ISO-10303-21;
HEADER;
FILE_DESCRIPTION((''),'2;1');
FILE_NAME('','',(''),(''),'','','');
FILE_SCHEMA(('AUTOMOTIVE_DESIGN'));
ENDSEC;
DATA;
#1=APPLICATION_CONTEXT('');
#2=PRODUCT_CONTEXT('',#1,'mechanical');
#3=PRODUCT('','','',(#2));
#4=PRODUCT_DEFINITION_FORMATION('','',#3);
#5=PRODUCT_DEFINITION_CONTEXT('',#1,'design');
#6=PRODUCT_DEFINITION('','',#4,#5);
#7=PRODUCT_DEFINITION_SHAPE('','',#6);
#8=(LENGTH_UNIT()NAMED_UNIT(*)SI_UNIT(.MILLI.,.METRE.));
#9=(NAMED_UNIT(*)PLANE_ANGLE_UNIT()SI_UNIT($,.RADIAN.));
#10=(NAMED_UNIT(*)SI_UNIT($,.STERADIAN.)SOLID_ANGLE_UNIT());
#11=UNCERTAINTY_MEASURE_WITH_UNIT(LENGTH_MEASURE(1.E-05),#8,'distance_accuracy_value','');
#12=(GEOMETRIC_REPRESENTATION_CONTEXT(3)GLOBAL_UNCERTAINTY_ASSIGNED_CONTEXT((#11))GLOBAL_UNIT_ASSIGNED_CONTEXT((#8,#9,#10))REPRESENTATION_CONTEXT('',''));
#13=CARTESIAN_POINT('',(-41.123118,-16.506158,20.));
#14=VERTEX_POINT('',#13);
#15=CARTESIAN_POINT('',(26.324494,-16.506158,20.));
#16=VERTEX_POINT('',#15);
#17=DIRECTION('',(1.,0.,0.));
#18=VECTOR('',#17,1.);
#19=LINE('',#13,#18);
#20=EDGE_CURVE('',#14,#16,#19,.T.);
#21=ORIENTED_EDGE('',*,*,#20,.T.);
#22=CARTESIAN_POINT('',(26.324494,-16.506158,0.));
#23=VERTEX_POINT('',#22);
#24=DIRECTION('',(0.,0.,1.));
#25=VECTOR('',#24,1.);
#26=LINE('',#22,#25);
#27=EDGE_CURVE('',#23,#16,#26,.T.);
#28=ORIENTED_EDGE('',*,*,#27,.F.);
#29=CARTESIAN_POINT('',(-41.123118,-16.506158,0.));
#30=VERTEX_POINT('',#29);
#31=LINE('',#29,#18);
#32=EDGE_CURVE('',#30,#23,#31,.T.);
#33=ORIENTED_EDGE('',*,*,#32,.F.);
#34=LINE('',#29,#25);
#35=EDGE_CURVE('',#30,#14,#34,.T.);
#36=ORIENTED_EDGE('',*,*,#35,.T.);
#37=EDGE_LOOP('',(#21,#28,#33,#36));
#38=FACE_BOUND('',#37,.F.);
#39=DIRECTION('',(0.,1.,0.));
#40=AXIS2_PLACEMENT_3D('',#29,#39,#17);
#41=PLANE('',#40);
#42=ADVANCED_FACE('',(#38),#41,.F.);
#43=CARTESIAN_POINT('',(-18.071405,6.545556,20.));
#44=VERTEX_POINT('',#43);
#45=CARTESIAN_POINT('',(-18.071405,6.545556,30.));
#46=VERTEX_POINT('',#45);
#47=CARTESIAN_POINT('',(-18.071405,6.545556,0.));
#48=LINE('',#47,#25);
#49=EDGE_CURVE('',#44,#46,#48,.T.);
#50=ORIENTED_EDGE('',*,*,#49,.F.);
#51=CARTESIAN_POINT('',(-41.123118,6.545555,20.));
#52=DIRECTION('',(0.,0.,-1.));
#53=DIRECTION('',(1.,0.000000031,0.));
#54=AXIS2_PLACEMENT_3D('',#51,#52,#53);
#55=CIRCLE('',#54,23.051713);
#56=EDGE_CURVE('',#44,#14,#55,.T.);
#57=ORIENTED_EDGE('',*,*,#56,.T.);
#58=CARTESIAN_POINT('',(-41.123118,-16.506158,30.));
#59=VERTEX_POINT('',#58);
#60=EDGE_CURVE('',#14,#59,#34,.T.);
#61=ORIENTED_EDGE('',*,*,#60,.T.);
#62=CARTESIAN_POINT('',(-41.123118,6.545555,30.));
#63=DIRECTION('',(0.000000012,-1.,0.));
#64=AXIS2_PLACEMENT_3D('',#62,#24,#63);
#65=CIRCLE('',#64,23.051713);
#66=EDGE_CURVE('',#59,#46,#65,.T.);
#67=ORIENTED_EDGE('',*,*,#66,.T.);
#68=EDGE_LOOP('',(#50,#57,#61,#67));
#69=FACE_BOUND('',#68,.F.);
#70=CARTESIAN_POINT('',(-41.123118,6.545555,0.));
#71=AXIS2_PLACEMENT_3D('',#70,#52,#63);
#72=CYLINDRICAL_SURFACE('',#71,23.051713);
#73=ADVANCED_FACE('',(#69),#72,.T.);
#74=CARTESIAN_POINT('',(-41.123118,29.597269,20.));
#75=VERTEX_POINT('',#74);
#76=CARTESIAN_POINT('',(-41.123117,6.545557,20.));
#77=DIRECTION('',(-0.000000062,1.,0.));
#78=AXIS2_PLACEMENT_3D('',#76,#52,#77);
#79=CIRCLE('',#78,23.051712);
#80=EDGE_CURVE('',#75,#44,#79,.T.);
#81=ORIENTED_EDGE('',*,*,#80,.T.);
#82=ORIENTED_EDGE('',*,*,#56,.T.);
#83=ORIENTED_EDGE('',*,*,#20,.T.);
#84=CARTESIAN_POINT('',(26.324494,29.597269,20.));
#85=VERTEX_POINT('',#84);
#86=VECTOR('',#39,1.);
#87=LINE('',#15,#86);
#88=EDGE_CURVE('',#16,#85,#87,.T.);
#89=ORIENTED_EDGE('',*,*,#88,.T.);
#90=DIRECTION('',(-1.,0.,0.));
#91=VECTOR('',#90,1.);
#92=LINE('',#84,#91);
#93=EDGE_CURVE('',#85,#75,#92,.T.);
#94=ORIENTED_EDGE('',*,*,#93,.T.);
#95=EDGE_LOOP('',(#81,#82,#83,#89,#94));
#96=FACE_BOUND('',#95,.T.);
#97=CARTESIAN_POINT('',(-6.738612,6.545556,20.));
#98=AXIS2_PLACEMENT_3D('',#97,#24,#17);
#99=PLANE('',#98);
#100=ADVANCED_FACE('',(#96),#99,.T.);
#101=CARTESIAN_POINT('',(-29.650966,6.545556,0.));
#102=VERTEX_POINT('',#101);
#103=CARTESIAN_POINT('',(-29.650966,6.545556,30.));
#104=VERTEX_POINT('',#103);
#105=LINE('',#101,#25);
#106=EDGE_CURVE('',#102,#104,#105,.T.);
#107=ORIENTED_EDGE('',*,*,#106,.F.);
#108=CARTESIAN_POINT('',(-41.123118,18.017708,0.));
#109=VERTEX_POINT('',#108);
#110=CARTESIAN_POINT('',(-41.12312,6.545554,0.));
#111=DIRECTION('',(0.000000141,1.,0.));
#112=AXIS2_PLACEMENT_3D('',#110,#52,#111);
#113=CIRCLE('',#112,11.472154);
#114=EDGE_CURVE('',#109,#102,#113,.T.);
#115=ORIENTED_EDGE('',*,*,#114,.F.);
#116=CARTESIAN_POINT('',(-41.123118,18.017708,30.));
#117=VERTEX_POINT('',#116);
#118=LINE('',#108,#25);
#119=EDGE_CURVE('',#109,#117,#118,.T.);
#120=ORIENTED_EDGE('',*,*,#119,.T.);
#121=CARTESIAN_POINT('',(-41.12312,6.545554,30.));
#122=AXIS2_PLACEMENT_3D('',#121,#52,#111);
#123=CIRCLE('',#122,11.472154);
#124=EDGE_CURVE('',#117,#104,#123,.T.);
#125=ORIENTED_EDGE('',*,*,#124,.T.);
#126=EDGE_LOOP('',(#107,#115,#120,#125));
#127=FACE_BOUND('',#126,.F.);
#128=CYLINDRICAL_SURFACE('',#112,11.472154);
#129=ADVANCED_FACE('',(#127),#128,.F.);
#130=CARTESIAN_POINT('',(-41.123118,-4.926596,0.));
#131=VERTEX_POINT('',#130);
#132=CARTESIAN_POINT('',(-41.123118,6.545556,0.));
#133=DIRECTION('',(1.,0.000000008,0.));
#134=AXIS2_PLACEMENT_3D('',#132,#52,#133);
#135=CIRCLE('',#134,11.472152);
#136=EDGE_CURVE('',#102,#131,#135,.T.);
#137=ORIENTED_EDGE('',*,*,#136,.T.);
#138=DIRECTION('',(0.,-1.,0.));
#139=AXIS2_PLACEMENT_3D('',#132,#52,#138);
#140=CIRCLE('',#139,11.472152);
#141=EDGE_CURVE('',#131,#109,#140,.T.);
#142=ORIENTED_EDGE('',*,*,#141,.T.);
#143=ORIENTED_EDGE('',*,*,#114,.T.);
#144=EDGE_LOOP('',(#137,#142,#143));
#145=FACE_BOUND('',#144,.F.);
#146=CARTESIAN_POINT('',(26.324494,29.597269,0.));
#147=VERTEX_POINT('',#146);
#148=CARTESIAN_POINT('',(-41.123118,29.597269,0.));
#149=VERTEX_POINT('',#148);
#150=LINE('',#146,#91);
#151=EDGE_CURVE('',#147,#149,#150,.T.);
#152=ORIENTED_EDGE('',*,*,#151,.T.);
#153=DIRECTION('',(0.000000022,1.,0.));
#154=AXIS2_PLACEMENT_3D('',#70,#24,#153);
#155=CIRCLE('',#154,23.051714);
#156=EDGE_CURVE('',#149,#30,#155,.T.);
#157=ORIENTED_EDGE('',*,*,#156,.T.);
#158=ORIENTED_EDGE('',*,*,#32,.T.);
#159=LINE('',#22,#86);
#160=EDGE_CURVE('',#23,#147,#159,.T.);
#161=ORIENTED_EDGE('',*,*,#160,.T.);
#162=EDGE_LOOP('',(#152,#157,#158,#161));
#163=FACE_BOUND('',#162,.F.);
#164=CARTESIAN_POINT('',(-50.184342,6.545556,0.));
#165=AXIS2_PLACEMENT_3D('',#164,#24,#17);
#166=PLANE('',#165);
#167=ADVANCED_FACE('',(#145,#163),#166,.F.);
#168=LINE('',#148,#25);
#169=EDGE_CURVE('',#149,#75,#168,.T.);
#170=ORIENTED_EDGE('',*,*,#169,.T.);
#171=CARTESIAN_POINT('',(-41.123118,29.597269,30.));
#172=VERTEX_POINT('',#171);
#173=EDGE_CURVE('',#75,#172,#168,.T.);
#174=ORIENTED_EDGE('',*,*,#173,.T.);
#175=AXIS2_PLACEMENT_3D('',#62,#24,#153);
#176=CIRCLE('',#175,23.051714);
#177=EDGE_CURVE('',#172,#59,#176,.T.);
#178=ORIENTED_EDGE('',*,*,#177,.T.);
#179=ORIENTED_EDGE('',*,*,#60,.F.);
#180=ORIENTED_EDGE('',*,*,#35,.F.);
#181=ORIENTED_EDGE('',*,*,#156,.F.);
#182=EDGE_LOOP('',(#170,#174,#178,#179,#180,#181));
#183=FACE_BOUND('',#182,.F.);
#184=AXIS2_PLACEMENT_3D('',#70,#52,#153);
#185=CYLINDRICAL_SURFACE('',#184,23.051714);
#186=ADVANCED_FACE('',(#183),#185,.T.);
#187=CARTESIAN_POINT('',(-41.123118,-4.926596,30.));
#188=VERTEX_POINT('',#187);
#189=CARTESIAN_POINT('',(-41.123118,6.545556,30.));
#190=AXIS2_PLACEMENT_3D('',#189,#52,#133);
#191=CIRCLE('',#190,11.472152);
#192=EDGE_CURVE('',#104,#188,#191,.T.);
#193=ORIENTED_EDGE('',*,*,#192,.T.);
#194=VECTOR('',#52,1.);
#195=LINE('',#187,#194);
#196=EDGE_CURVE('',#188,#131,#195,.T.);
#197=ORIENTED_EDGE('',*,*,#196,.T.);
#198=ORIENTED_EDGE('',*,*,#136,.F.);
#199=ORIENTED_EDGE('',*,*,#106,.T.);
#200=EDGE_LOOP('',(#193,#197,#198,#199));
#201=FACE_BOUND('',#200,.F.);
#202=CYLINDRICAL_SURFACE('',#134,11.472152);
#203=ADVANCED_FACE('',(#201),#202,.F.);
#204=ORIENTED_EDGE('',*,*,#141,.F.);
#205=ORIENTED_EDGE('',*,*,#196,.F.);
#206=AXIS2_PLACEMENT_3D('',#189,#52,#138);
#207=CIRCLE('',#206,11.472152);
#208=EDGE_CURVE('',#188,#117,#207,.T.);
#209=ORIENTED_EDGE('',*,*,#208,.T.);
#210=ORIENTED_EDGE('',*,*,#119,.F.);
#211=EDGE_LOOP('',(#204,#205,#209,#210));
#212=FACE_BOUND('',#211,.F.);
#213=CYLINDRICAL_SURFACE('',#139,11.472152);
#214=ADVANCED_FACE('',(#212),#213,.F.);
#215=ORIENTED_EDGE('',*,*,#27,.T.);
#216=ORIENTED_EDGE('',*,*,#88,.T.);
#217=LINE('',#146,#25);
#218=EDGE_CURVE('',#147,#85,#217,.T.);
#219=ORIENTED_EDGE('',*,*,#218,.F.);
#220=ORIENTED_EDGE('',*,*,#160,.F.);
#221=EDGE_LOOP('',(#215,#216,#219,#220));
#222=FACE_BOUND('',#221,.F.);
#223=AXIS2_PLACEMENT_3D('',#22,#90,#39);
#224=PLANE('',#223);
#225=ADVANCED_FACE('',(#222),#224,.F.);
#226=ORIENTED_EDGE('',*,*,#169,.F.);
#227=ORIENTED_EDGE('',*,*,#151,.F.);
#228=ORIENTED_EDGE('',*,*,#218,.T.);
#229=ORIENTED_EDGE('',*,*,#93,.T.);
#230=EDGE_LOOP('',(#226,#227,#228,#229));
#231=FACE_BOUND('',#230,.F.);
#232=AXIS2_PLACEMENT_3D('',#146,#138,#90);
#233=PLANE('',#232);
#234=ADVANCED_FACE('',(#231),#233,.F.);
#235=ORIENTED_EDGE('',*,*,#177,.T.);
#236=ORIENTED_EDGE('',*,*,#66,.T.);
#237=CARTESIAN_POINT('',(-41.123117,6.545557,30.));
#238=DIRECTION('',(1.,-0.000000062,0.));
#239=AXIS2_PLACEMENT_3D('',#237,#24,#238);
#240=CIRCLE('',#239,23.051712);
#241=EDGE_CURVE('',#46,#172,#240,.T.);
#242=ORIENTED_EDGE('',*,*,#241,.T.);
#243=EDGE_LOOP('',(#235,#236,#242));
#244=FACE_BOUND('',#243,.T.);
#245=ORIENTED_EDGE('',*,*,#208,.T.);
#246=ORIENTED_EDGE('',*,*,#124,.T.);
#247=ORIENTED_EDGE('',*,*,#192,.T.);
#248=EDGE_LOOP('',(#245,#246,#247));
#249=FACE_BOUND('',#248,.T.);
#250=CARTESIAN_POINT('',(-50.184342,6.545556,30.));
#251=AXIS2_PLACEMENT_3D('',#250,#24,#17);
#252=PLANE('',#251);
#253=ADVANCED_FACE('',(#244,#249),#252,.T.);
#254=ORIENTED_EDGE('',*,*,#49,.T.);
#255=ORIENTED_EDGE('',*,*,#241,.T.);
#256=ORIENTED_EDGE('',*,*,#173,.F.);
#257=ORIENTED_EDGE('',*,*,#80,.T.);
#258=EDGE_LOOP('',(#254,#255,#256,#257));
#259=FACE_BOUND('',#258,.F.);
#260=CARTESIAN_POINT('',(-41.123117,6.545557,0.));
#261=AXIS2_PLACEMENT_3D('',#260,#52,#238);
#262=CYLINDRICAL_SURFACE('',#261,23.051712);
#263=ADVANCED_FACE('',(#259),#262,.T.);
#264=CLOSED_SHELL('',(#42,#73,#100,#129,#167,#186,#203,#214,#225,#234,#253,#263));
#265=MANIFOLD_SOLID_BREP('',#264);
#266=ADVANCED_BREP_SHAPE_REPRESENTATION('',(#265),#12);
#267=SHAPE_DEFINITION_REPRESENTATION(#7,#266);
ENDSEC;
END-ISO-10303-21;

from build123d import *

# Parameters (mm, degrees)
F1_DEPTH = 20
F2_DEPTH = 30


with BuildPart() as f1:
    # F0 (on Top) → F1 (new body)
    with BuildSketch(Plane.XY):
        with BuildLine():
            Line((26.324494, 29.597269), (-41.123118, 29.597269))
            ThreePointArc((-41.123118, 29.597269), (-24.823095, 22.845579), (-18.071405, 6.545556))
            ThreePointArc((-18.071405, 6.545556), (-24.823095, -9.754467), (-41.123118, -16.506158))
            Line((-41.123118, -16.506158), (26.324494, -16.506158))
            Line((26.324494, -16.506158), (26.324494, 29.597269))
        make_face()
        with BuildLine():
            Line((-41.123118, 18.017708), (-41.123118, 29.597269))
            ThreePointArc((-41.123118, 29.597269), (-64.174832, 6.545556), (-41.123118, -16.506158))
            Line((-41.123118, -16.506158), (-41.123118, -4.926596))
            ThreePointArc((-41.123118, -4.926596), (-52.59527, 6.545556), (-41.123118, 18.017708))
        make_face()
    extrude(amount=F1_DEPTH)

    # F0 (on Top) → F2 (join)
    with BuildSketch(Plane.XY):
        with BuildLine():
            Line((-41.123118, 18.017708), (-41.123118, 29.597269))
            ThreePointArc((-41.123118, 29.597269), (-64.174832, 6.545556), (-41.123118, -16.506158))
            Line((-41.123118, -16.506158), (-41.123118, -4.926596))
            ThreePointArc((-41.123118, -4.926596), (-52.59527, 6.545556), (-41.123118, 18.017708))
        make_face()
        with BuildLine():
            ThreePointArc((-18.071405, 6.545556), (-24.823095, 22.845579), (-41.123118, 29.597269))
            Line((-41.123118, 29.597269), (-41.123118, 18.017708))
            ThreePointArc((-41.123118, 18.017708), (-33.011082, 14.657592), (-29.650966, 6.545556))
            ThreePointArc((-29.650966, 6.545556), (-33.011082, -1.566481), (-41.123118, -4.926596))
            Line((-41.123118, -4.926596), (-41.123118, -16.506158))
            ThreePointArc((-41.123118, -16.506158), (-24.823095, -9.754467), (-18.071405, 6.545556))
        make_face()
    extrude(amount=F2_DEPTH)


solid = f1.part
